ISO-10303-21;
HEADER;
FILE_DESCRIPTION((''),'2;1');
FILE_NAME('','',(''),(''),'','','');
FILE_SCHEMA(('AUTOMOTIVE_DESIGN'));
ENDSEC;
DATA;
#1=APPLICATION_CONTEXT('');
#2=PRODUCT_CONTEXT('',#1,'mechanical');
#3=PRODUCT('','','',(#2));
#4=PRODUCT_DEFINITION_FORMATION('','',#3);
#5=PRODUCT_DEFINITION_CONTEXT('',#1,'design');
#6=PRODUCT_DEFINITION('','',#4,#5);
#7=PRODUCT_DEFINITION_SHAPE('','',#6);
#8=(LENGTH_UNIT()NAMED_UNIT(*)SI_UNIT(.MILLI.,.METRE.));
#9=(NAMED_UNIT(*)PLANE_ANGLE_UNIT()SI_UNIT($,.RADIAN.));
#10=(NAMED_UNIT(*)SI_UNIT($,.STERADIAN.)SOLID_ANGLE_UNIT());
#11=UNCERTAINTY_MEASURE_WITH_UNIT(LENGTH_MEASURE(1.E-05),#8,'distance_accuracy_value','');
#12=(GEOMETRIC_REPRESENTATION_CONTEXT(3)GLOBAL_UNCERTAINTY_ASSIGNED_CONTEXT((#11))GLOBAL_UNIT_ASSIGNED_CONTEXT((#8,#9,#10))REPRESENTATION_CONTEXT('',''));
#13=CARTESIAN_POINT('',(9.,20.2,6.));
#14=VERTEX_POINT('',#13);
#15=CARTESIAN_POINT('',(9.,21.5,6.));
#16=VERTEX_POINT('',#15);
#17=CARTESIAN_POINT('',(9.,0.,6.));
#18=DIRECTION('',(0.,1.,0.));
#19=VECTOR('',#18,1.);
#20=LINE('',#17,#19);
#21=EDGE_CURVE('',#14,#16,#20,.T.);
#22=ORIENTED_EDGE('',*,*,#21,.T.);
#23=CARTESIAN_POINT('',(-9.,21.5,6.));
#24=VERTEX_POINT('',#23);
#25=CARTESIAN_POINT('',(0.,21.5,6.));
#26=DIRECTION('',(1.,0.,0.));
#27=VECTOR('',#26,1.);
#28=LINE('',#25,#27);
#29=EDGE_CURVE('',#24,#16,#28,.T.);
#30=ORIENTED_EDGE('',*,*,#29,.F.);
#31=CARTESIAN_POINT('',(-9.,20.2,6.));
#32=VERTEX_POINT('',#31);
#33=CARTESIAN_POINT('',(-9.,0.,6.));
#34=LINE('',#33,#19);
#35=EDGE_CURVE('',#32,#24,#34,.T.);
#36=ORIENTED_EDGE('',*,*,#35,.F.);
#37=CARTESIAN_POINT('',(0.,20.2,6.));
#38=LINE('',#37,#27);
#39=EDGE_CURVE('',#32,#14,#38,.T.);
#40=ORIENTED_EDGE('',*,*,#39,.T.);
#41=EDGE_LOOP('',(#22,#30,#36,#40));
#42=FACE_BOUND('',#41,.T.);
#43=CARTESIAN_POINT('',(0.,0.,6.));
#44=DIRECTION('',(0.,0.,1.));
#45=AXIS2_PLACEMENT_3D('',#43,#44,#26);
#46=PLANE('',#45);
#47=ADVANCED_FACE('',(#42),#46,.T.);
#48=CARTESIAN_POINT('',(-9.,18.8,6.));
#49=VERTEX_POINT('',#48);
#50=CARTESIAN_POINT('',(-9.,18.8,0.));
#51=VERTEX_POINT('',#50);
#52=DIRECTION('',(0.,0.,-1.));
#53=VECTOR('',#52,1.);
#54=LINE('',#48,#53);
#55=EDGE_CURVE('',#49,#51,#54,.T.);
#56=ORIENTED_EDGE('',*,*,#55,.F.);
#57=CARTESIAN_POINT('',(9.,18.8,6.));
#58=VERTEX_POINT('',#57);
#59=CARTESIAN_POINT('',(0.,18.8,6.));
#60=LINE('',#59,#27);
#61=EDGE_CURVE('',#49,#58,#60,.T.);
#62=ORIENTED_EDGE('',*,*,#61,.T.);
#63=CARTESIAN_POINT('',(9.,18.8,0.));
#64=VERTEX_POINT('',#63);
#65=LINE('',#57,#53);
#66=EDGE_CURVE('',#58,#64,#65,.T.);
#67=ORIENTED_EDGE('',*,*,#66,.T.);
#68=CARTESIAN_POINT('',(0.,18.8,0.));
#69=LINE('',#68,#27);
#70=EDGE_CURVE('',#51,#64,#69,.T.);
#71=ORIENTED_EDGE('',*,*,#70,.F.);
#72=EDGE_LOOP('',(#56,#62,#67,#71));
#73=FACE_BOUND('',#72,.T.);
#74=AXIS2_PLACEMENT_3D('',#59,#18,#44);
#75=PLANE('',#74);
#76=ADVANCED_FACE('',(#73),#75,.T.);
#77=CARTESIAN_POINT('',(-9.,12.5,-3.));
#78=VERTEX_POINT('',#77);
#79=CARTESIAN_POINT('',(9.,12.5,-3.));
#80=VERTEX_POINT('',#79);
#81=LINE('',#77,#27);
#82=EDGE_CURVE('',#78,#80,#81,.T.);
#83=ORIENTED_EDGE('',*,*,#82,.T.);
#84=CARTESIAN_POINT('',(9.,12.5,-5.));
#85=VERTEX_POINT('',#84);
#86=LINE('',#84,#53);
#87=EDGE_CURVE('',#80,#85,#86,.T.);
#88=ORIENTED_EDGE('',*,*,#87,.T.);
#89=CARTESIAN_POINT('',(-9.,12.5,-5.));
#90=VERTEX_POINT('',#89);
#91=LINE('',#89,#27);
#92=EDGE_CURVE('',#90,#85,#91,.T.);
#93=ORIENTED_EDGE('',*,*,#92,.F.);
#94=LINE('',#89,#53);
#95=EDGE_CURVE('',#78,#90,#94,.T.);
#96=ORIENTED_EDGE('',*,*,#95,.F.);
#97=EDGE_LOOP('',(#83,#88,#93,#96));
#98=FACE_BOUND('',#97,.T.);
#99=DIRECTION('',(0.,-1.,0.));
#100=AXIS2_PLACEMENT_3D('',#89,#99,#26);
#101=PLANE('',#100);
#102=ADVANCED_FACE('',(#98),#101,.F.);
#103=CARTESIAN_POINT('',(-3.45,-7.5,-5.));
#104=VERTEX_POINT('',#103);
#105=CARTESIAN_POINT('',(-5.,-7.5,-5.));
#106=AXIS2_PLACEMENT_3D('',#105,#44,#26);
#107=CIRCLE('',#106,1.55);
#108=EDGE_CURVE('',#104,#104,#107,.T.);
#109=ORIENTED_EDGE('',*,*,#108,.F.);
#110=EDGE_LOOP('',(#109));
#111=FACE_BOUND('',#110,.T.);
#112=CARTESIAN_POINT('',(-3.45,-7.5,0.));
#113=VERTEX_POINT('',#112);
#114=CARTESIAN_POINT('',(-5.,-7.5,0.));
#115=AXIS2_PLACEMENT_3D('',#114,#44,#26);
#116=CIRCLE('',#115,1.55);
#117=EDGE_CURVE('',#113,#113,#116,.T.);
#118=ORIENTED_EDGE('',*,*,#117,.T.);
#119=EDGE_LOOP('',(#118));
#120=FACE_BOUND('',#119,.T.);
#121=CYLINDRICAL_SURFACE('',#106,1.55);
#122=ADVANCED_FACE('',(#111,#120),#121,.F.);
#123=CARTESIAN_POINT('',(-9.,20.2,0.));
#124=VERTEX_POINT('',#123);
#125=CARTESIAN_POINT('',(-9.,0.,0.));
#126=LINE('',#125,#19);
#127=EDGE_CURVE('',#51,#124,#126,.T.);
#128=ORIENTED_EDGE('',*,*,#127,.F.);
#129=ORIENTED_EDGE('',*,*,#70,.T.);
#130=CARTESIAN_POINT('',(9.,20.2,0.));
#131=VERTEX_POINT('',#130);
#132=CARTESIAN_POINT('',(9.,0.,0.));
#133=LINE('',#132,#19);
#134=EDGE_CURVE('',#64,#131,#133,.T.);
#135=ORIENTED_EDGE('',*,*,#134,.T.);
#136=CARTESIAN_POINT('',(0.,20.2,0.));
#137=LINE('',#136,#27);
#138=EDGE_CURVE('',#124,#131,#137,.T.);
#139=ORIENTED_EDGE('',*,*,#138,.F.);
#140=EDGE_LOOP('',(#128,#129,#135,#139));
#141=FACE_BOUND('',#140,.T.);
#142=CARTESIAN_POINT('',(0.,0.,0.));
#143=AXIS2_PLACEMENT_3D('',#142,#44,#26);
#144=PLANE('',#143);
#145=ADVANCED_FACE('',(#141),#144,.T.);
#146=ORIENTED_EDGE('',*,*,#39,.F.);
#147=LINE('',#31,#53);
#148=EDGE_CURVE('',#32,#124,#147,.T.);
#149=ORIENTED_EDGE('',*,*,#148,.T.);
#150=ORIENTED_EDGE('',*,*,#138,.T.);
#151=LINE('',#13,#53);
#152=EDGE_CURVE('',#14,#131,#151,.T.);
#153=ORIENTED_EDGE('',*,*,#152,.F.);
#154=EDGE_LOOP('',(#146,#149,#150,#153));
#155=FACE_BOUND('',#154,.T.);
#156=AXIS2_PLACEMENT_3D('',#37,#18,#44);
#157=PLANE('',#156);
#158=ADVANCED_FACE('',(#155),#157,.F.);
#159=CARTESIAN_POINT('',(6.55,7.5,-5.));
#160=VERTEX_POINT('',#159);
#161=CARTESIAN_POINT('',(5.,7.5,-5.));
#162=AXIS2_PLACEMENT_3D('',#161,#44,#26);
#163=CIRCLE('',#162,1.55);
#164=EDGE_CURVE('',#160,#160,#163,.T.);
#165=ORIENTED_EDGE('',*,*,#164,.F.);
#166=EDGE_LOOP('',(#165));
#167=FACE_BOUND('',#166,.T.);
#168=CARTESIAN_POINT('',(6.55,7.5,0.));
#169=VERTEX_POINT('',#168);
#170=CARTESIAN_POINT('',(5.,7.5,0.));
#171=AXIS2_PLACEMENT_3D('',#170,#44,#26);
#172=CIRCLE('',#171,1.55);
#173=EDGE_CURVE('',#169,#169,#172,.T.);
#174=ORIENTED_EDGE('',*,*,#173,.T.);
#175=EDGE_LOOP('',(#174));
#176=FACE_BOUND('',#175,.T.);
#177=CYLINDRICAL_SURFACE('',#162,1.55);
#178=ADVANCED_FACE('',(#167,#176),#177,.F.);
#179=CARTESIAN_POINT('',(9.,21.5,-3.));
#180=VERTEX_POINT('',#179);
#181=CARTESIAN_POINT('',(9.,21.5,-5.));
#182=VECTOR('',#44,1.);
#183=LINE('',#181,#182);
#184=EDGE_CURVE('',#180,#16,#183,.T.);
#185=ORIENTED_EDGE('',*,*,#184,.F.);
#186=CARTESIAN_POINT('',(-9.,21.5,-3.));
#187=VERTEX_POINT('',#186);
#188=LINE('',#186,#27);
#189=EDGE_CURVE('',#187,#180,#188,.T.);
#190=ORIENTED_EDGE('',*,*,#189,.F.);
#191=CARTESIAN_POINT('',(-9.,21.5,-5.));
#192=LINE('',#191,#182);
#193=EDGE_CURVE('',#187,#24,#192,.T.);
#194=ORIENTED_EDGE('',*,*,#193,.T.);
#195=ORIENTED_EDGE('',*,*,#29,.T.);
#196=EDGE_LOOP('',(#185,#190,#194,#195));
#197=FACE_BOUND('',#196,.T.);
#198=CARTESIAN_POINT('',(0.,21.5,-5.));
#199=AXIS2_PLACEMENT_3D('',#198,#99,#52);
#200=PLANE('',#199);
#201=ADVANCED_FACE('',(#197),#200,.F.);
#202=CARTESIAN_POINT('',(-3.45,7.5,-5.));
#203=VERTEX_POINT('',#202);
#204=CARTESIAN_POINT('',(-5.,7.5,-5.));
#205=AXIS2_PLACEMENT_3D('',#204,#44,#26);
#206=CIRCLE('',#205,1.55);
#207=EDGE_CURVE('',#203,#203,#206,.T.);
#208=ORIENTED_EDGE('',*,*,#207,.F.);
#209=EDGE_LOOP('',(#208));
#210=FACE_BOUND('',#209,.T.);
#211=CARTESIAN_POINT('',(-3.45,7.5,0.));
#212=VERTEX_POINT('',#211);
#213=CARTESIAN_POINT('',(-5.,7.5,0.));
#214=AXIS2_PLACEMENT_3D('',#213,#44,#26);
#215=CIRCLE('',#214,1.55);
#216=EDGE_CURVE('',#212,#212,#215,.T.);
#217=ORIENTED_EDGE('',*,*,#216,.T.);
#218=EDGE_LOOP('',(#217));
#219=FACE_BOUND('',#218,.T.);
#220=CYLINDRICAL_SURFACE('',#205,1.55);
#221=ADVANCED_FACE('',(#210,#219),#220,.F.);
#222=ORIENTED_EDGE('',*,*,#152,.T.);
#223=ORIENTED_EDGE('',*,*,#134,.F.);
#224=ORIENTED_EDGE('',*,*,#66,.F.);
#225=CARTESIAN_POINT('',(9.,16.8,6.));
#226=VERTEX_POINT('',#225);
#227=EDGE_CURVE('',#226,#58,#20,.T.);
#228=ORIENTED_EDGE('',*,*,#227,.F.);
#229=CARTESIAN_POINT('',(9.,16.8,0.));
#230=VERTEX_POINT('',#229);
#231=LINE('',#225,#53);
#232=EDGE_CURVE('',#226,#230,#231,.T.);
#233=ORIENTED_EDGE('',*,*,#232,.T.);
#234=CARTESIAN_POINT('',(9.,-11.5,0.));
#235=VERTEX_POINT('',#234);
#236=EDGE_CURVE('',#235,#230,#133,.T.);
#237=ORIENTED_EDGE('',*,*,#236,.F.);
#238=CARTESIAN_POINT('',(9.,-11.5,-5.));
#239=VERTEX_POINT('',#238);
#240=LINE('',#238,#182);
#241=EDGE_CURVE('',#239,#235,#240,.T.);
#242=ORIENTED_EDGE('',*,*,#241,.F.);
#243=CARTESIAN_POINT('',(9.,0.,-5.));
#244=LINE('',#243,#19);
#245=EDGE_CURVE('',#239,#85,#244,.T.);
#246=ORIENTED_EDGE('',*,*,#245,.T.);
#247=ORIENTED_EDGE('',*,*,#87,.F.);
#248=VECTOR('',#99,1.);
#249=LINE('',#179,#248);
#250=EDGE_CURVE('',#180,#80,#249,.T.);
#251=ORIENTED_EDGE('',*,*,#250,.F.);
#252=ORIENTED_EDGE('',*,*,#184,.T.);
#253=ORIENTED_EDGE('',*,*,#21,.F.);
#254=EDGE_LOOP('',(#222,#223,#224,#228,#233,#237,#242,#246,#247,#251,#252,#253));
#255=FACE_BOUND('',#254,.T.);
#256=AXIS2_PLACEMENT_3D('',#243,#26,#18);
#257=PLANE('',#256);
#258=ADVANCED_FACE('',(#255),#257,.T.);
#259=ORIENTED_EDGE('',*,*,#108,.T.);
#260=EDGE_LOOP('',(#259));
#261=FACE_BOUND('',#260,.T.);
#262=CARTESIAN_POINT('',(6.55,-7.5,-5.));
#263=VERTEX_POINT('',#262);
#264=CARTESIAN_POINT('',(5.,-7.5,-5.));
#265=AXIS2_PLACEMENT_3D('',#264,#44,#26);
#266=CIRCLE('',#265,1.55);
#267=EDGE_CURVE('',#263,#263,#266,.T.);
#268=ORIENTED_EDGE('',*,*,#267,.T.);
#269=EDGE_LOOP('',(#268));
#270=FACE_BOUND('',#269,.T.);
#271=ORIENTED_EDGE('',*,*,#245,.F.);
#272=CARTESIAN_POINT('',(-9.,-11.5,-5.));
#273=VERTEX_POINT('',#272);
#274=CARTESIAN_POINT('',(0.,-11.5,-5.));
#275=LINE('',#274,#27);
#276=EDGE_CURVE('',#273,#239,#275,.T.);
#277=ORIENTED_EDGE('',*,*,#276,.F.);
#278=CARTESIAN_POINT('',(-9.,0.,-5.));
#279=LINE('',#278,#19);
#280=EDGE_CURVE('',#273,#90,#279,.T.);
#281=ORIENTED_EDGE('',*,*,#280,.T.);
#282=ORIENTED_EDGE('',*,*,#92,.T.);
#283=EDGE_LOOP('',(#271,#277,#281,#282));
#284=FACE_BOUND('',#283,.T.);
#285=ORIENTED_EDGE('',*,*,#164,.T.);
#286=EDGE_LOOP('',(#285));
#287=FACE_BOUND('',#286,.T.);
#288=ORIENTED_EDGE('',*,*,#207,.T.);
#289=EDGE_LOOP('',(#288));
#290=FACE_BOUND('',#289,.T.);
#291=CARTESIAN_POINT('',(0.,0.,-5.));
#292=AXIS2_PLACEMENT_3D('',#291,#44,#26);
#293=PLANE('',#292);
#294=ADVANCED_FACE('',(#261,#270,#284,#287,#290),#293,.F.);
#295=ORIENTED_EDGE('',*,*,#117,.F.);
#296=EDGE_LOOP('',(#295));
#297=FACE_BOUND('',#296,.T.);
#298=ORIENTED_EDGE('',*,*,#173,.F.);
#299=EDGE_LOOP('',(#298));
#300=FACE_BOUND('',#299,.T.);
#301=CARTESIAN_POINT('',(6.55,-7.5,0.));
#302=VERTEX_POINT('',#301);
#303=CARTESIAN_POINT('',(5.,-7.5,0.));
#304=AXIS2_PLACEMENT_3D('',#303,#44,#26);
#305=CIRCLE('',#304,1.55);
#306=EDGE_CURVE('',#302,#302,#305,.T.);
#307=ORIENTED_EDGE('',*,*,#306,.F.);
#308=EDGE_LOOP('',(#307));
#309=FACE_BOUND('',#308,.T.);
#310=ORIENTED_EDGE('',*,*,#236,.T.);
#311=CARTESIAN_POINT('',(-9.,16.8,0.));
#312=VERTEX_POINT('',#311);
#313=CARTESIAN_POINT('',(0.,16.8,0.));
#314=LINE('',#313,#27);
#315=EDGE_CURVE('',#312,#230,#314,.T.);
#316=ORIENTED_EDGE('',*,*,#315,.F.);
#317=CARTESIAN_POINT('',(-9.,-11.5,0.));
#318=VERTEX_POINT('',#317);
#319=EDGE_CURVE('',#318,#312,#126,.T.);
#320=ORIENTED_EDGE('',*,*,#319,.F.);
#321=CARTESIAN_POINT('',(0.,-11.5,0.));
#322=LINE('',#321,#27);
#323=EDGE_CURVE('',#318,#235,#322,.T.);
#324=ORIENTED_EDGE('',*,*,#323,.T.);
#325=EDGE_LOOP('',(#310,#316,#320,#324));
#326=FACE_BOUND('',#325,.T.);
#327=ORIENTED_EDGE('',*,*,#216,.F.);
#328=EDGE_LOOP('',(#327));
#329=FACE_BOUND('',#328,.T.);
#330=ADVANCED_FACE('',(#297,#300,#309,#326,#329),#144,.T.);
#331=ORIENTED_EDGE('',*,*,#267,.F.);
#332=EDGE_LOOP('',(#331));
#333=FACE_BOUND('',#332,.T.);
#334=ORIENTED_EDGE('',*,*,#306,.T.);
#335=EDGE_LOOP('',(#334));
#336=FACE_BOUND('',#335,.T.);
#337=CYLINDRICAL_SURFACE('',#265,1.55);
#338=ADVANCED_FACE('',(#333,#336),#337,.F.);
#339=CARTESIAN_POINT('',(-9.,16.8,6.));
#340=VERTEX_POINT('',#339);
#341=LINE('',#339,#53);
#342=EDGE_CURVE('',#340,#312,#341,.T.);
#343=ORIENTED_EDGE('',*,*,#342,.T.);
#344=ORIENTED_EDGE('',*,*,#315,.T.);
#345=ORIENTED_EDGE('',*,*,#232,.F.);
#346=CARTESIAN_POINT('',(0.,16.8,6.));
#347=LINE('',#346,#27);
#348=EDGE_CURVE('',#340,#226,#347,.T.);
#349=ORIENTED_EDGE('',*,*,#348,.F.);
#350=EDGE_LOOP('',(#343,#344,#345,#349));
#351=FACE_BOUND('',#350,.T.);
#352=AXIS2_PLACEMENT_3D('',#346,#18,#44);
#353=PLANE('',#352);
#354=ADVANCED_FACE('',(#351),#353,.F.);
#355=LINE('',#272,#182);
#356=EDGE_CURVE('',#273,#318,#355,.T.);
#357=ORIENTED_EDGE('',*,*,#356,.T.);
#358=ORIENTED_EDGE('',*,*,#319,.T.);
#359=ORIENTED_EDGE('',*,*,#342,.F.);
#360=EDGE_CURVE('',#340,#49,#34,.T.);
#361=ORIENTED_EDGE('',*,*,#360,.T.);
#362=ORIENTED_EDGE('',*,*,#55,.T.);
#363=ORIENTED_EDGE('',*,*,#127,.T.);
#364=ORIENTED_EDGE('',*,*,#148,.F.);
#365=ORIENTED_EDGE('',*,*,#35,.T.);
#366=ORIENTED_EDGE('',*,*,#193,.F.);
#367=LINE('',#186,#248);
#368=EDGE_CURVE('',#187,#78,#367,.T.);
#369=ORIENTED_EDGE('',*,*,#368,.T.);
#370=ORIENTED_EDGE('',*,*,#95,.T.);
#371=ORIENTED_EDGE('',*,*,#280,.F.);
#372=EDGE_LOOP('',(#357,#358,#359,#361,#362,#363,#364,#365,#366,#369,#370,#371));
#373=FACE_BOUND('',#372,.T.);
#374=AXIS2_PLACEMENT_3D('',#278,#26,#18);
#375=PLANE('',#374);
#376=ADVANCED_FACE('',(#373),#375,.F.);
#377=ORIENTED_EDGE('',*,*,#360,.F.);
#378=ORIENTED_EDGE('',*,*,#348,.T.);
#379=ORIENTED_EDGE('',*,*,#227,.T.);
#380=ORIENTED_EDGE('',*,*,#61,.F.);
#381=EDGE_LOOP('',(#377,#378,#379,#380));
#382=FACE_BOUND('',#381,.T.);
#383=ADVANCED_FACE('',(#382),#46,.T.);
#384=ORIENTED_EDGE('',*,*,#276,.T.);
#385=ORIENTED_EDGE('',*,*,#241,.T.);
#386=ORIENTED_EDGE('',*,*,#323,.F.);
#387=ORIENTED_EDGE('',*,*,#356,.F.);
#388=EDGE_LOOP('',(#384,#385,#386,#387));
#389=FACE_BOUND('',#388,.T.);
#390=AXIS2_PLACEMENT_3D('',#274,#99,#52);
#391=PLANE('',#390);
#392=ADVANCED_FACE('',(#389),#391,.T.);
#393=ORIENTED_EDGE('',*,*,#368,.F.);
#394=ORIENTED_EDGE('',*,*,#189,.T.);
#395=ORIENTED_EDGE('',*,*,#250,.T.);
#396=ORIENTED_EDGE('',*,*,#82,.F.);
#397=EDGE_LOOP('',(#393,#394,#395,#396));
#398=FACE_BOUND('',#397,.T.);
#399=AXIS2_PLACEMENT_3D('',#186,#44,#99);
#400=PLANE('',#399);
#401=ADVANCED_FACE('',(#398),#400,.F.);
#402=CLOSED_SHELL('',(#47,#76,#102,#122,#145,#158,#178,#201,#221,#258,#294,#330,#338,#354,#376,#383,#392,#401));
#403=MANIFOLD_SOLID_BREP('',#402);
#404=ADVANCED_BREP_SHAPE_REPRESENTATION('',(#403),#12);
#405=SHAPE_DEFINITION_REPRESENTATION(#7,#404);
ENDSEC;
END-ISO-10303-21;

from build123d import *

# Parameters (mm, degrees)
SKIZZE1_W                       = 18
SKIZZE1_H                       = 33
SKIZZE1_R                       = 1.55
AUFSATZ_LINEAR_AUSTRAGEN3_DEPTH = 5
SKIZZE1_4_W                     = 18
SKIZZE1_4_H                     = 2
SKIZZE1_4_H_2                   = 1.3
AUFSATZ_LINEAR_AUSTRAGEN4_DEPTH = 6
SKIZZE2_W                       = 2
SKIZZE2_H                       = 9
SCHNITT_LINEAR_AUSTRAGEN1_DEPTH = 29.674901918


with BuildPart() as part:
    # Skizze1 → Aufsatz-Linear austragen3 (new body)
    with BuildSketch(Plane.XY):
        with Locations((0, 5)):
            Rectangle(SKIZZE1_W, SKIZZE1_H)
        with Locations((5, 7.5)):
            Circle(SKIZZE1_R, mode=Mode.SUBTRACT)
        with Locations((-5, -7.5)):
            Circle(SKIZZE1_R, mode=Mode.SUBTRACT)
        with Locations((5, -7.5)):
            Circle(SKIZZE1_R, mode=Mode.SUBTRACT)
        with Locations((-5, 7.5)):
            Circle(SKIZZE1_R, mode=Mode.SUBTRACT)
    extrude(amount=-AUFSATZ_LINEAR_AUSTRAGEN3_DEPTH)

    # Skizze1<4> → Aufsatz-Linear austragen4 (add)
    with BuildSketch(Plane.XY):
        with Locations((0, 17.8)):
            Rectangle(SKIZZE1_4_W, SKIZZE1_4_H)
        with Locations((0, 20.85)):
            Rectangle(SKIZZE1_4_W, SKIZZE1_4_H_2)
    extrude(amount=AUFSATZ_LINEAR_AUSTRAGEN4_DEPTH)

    # Skizze2 → Schnitt-Linear austragen1 (cut, through all)
    with BuildSketch(Plane(origin=(9, 0, 0), x_dir=(0, 0, -1), z_dir=(1, 0, 0))):
        with Locations((4, 17)):
            Rectangle(SKIZZE2_W, SKIZZE2_H)
    extrude(amount=-SCHNITT_LINEAR_AUSTRAGEN1_DEPTH, mode=Mode.SUBTRACT)


solid = part.part
